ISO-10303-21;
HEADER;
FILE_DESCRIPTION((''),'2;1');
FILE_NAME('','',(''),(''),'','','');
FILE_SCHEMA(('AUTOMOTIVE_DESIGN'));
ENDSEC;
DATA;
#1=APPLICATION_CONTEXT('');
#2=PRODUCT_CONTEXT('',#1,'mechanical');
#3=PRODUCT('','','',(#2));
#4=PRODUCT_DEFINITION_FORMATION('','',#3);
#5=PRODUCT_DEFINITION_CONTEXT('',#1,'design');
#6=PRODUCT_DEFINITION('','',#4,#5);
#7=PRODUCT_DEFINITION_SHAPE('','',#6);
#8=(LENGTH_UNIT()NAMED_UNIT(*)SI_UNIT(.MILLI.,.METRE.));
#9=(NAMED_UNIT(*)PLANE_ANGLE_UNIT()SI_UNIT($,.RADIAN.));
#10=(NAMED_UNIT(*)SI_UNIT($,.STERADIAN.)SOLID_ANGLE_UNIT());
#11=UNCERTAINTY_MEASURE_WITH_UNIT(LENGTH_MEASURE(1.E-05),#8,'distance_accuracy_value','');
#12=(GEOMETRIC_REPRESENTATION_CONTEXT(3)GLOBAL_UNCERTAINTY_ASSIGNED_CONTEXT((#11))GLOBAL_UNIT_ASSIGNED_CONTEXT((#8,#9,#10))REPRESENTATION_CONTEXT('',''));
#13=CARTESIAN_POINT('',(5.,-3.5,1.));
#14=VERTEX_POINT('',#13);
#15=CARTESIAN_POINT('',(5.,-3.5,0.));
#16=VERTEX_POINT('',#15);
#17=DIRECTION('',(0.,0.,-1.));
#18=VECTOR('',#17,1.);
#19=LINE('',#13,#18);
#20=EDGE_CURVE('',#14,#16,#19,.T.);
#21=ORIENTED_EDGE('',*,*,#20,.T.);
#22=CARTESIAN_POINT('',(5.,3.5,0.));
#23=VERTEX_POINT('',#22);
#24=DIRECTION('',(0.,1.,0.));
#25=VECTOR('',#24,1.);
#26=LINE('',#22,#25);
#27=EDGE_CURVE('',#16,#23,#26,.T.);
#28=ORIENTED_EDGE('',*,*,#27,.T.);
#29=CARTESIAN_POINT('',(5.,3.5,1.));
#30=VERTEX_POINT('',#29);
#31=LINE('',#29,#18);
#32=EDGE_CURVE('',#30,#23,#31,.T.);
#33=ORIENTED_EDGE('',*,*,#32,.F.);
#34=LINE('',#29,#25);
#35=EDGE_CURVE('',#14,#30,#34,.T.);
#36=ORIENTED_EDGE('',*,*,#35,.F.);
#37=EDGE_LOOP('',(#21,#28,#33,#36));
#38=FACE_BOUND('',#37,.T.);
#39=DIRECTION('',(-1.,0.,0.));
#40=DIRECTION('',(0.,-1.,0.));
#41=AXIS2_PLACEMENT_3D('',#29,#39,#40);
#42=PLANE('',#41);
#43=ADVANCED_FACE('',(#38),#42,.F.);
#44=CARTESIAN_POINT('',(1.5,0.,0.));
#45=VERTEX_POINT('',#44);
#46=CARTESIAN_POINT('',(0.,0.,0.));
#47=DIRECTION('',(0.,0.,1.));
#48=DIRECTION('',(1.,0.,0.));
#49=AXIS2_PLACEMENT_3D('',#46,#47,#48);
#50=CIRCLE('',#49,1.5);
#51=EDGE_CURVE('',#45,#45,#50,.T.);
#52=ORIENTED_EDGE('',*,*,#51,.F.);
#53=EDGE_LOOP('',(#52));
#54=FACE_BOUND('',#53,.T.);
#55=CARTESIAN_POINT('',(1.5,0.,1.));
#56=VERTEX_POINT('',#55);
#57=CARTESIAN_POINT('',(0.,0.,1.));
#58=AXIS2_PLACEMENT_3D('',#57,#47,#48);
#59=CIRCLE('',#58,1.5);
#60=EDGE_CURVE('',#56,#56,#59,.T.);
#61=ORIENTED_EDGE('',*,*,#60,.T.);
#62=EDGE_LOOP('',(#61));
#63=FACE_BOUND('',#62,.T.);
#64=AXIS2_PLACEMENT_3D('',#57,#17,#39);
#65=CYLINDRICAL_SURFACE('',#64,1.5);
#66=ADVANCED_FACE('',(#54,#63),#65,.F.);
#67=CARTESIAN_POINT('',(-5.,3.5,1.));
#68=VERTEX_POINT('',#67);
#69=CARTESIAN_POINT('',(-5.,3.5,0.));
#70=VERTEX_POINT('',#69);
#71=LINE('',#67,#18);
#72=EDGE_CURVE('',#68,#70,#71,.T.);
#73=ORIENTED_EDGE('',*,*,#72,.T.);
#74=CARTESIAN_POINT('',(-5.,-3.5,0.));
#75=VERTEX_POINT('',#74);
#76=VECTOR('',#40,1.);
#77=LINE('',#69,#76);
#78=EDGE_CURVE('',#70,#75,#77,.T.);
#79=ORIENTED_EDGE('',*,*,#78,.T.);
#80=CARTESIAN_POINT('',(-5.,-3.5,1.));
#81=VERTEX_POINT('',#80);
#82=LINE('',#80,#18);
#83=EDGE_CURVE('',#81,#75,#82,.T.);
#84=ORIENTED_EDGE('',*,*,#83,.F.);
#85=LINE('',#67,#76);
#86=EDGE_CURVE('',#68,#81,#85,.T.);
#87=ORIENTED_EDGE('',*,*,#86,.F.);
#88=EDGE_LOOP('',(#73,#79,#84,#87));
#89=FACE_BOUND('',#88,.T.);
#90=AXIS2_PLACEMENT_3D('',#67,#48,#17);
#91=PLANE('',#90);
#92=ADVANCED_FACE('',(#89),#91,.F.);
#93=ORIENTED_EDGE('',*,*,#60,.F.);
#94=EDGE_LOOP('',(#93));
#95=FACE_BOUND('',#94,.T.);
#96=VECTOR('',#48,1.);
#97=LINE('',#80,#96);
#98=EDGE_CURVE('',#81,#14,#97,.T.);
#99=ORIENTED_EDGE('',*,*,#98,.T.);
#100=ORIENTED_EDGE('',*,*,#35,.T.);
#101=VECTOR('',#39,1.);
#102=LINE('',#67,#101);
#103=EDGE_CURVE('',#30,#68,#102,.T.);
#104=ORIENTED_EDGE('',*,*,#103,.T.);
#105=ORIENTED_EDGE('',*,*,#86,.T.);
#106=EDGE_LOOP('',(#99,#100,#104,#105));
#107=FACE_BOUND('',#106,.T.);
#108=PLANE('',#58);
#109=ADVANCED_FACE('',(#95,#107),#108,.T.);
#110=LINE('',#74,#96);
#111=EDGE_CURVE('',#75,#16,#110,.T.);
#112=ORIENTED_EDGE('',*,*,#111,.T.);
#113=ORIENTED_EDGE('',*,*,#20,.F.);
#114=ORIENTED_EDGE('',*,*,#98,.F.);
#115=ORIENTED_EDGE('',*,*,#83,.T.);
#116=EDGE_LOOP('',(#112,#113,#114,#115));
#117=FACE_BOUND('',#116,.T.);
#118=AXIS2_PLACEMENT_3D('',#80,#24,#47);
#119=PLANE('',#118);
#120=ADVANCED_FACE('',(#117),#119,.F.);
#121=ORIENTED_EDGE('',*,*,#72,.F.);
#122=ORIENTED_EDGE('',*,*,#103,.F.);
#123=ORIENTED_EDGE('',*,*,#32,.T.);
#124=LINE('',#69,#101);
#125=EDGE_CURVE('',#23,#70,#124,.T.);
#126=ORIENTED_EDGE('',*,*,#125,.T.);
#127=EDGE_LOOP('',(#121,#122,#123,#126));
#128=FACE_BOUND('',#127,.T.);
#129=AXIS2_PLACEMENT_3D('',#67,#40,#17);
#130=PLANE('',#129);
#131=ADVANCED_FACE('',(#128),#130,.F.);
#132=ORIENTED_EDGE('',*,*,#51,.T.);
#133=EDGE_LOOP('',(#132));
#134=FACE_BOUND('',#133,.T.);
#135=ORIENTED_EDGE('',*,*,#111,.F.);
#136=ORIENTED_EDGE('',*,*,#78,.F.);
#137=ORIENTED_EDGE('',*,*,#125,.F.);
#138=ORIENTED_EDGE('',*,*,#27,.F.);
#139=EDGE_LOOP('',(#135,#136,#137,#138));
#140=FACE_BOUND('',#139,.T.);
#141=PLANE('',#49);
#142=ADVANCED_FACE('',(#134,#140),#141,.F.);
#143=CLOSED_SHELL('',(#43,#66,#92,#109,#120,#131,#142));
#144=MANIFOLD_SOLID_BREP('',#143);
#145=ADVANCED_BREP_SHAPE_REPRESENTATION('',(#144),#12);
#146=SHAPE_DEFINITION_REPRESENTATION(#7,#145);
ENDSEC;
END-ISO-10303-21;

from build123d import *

# Parameters (mm, degrees)
SKETCH_1_W      = 10
SKETCH_1_H      = 7
SKETCH_1_R      = 1.5
EXTRUDE_1_DEPTH = 1


with BuildPart() as part:
    # 草图1 → 凸台-拉伸1 (new body)
    with BuildSketch(Plane.XY):
        Rectangle(SKETCH_1_W, SKETCH_1_H)
        Circle(SKETCH_1_R, mode=Mode.SUBTRACT)
    extrude(amount=EXTRUDE_1_DEPTH)


solid = part.part
